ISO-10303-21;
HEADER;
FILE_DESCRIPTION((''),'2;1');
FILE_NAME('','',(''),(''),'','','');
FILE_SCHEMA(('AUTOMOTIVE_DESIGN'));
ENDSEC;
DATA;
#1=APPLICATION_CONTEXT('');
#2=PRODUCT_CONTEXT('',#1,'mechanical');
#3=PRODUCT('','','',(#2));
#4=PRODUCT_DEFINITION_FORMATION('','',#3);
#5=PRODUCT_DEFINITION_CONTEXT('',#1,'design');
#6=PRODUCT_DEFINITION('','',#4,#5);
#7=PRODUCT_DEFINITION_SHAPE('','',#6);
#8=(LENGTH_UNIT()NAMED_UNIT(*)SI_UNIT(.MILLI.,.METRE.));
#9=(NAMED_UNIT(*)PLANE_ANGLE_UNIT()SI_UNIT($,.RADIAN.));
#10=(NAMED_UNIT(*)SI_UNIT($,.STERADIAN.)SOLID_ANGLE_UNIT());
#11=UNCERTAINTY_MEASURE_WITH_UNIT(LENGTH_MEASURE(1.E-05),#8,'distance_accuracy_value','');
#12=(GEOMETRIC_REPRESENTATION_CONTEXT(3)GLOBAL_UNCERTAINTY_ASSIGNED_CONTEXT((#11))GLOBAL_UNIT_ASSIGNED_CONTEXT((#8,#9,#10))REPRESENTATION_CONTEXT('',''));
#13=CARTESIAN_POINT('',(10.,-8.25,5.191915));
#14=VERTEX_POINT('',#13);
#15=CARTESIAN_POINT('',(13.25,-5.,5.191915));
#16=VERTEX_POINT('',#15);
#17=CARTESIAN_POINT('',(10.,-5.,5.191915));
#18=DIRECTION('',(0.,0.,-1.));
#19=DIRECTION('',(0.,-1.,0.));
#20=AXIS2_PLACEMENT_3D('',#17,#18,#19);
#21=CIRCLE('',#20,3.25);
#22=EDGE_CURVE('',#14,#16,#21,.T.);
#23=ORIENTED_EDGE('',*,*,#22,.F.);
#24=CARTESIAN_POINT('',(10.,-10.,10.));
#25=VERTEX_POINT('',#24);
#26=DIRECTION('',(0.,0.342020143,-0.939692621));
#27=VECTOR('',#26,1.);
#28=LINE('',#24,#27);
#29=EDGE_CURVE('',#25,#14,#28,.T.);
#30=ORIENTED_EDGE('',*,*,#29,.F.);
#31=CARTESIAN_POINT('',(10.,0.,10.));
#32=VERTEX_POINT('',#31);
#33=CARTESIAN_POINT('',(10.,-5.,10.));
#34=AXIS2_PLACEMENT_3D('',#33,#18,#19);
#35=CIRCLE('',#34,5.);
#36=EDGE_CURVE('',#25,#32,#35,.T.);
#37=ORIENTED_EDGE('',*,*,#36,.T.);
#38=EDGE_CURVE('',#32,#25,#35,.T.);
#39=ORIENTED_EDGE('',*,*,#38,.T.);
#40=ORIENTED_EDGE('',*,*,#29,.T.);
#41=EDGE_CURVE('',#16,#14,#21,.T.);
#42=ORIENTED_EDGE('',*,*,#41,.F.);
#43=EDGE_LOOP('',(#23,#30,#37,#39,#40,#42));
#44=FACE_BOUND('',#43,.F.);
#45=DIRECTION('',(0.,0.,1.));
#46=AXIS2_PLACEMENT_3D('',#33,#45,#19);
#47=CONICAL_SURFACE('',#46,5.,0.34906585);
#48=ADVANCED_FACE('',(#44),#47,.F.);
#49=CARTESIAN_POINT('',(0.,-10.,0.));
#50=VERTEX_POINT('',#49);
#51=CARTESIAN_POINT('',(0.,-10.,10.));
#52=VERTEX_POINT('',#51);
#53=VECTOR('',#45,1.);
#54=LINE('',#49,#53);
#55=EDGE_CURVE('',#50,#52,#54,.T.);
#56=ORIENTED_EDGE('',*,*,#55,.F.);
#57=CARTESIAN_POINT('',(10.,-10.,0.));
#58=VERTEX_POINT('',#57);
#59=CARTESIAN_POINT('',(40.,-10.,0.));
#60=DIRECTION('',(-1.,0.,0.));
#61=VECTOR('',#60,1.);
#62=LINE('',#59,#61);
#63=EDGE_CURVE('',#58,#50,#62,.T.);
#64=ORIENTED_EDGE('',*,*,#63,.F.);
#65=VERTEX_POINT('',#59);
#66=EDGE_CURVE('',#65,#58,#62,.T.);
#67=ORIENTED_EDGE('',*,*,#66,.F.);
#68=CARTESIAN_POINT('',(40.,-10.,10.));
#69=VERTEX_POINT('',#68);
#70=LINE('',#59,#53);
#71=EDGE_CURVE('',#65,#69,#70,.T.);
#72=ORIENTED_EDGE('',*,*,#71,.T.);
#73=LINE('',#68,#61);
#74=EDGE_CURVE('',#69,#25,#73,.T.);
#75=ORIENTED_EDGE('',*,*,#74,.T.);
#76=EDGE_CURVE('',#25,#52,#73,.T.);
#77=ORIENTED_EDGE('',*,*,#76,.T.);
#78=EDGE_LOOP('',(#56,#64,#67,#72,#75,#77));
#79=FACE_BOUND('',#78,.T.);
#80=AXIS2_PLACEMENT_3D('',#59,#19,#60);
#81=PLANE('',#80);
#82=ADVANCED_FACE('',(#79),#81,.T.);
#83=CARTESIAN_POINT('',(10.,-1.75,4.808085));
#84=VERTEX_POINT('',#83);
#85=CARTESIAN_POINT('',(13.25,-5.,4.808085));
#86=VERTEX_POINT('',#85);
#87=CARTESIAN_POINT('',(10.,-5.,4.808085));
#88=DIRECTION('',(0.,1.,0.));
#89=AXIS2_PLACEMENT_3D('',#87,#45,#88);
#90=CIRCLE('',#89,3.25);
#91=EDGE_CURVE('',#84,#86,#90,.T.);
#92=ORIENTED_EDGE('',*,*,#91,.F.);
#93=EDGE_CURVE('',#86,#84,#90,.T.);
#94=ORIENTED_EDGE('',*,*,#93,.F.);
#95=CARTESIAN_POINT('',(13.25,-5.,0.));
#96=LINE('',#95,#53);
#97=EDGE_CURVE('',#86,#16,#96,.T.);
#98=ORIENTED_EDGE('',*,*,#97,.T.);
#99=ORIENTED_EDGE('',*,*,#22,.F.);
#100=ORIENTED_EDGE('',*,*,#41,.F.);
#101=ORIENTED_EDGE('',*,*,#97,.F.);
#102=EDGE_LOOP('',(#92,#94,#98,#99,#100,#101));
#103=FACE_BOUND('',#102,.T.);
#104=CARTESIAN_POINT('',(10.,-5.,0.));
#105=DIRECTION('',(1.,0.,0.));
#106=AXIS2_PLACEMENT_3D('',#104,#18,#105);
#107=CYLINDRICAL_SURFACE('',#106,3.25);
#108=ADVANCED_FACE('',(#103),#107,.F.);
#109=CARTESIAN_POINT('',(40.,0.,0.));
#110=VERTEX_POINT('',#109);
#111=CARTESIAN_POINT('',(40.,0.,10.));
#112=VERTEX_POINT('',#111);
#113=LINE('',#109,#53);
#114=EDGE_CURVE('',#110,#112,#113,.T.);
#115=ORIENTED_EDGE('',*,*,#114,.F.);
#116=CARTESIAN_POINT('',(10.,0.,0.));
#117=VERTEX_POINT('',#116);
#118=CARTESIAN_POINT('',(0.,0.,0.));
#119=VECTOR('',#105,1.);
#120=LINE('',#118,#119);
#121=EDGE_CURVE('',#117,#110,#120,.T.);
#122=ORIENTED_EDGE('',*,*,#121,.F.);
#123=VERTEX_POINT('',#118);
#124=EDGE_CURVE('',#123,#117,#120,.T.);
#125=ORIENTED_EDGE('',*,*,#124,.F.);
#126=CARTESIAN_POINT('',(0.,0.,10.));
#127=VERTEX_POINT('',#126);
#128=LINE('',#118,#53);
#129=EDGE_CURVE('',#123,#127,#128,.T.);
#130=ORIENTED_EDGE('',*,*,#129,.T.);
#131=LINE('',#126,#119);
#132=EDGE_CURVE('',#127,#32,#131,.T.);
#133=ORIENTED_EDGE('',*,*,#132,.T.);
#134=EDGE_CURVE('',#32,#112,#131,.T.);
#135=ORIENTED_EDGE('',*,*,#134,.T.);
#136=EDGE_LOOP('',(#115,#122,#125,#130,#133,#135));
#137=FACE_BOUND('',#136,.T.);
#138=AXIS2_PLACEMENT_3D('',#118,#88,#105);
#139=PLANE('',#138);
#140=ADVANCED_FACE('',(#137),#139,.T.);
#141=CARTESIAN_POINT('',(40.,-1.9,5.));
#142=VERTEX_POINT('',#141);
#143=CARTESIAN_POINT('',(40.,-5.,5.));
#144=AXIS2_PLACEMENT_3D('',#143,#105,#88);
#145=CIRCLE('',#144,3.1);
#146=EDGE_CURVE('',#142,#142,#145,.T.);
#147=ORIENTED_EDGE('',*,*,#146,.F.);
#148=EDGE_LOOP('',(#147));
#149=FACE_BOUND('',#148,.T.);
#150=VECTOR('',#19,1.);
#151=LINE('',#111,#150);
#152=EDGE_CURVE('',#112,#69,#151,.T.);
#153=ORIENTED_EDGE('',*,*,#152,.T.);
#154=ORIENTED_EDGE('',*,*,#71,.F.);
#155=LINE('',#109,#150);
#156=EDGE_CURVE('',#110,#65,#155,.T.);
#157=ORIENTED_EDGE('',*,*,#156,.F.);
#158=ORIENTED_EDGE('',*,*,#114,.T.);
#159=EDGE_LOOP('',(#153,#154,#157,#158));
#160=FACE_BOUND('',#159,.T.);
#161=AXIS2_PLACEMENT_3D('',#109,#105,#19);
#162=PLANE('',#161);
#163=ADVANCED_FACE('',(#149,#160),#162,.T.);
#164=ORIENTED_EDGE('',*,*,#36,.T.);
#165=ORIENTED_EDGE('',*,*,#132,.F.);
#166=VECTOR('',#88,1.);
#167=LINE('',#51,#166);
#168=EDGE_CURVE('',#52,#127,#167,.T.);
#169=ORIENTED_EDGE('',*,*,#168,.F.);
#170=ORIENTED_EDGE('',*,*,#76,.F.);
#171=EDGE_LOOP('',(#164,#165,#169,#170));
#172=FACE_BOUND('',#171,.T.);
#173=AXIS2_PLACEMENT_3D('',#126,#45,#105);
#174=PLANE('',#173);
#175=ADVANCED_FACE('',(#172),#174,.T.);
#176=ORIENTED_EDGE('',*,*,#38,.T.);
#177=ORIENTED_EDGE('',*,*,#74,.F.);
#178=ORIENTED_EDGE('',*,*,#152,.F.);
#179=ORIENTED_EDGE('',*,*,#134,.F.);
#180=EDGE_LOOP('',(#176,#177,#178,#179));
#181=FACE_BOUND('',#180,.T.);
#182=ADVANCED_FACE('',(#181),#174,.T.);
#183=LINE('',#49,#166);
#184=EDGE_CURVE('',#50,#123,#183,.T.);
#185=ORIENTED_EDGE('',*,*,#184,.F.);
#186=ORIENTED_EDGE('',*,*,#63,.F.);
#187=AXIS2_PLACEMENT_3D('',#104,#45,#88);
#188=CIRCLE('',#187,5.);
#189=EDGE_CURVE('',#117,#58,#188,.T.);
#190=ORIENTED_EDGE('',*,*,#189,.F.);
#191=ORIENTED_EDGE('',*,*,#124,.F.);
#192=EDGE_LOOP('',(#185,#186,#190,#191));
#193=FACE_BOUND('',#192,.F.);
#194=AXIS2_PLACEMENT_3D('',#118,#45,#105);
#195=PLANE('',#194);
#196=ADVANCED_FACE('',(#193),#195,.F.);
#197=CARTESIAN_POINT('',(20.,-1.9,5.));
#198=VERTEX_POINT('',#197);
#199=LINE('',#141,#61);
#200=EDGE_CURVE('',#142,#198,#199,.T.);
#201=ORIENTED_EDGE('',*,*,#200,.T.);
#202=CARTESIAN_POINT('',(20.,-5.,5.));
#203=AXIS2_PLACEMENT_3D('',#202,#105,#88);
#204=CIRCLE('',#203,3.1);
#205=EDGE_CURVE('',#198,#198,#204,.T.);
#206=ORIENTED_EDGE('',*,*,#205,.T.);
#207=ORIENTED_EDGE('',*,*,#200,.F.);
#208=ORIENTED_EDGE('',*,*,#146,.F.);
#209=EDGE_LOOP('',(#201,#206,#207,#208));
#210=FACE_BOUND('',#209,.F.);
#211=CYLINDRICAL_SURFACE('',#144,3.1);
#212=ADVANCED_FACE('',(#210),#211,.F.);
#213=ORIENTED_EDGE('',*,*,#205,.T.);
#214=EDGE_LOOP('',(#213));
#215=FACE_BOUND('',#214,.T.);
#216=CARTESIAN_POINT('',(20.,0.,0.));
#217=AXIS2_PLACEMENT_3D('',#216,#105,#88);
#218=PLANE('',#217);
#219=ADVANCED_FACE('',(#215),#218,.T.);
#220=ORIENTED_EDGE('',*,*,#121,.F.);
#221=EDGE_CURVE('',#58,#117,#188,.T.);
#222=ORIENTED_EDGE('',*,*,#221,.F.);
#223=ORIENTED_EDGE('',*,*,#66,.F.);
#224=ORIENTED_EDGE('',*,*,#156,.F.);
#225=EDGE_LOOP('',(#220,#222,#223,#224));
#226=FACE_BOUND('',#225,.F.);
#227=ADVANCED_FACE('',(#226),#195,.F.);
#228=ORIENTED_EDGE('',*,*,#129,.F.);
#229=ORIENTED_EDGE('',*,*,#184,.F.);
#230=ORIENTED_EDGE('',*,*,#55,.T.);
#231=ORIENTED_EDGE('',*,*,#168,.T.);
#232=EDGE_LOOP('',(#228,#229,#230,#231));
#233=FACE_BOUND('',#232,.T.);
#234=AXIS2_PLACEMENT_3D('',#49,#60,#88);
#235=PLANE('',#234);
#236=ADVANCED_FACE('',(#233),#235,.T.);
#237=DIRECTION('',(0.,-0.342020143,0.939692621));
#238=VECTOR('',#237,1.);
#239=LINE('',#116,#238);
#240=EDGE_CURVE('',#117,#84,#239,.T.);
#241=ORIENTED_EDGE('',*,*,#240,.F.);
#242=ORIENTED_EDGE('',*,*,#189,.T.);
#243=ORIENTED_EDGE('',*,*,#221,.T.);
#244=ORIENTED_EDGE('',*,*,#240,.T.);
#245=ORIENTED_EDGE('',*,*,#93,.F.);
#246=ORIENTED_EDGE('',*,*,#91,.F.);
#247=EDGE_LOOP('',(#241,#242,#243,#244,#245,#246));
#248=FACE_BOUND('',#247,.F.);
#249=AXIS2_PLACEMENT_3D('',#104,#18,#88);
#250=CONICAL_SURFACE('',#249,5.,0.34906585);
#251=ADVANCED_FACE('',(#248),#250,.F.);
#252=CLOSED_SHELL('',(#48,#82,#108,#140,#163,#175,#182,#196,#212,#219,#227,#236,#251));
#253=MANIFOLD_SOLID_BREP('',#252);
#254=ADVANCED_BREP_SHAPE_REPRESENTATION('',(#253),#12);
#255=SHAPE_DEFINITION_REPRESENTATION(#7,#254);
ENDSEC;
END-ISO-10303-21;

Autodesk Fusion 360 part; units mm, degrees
sketch "Esquisse1" plane through (0, 0, 0) normal (0, 0, 1) x (1, 0, 0)
  line L0 (0, 0) -> (40, 0)
  line L1 (40, 0) -> (40, -10)
  line L2 (40, -10) -> (0, -10)
  line L3 (0, -10) -> (0, 0)
  circle A0 centre (10, -5) radius 3.25
  dimension "d1" = 6.5
extrude "Extrusion1" add sketch "Esquisse1" along normal blind 10
sketch "Esquisse2" plane through (40, 0, 0) normal (1, 0, 0) x (0, 1, 0)
  line L0 (-10, 0) -> (0, 0)
  line L1 (0, 0) -> (0, 10)
  line L2 (0, 10) -> (-10, 10)
  line L3 (-10, 10) -> (-10, 0)
  circle A0 centre (-5, 5) radius 3.1
  dimension "d4" = 6.2
extrude "Extrusion2" cut sketch "Esquisse2" against normal blind 20 contours A0
sketch "Esquisse3" plane through (0, 0, 10) normal (0, 0, 1) x (-1, 0, 0)
  circle A0 centre (-10, 5) radius 3.25
  line L0 (0, 10) -> (-40, 10)
  line L1 (-40, 10) -> (-40, 0)
  line L2 (-40, 0) -> (0, 0)
  line L3 (0, 0) -> (0, 10)
sketch "Esquisse4" plane through (0, 0, 0) normal (0, 0, -1) x (1, 0, 0)
  circle A0 centre (10, 5) radius 3.25
  line L0 (40, 10) -> (0, 10)
  line L1 (0, 10) -> (0, 0)
  line L2 (0, 0) -> (40, 0)
  line L3 (40, 0) -> (40, 10)
sketch "Esquisse5" plane through (0, 0, 10) normal (0, 0, 1) x (-1, 0, 0)
  circle A0 centre (-10, 5) radius 3.25
  dimension "d7" = 6.5
hole "Perçage1" at (10, -5, 10) direction (0, 0, -1) diameter 6.5 depth 73.51 tip angle 118 countersink diameter 10 countersink angle 40
sketch "Esquisse6" plane through (0, 0, 0) normal (0, 0, -1) x (1, 0, 0)
  circle A0 centre (10, 5) radius 3.25
  dimension "d13" = 6.5
hole "Perçage2" at (10, -5, 0) direction (0, 0, 1) diameter 6.5 depth 73.51 tip angle 118 countersink diameter 10 countersink angle 40
